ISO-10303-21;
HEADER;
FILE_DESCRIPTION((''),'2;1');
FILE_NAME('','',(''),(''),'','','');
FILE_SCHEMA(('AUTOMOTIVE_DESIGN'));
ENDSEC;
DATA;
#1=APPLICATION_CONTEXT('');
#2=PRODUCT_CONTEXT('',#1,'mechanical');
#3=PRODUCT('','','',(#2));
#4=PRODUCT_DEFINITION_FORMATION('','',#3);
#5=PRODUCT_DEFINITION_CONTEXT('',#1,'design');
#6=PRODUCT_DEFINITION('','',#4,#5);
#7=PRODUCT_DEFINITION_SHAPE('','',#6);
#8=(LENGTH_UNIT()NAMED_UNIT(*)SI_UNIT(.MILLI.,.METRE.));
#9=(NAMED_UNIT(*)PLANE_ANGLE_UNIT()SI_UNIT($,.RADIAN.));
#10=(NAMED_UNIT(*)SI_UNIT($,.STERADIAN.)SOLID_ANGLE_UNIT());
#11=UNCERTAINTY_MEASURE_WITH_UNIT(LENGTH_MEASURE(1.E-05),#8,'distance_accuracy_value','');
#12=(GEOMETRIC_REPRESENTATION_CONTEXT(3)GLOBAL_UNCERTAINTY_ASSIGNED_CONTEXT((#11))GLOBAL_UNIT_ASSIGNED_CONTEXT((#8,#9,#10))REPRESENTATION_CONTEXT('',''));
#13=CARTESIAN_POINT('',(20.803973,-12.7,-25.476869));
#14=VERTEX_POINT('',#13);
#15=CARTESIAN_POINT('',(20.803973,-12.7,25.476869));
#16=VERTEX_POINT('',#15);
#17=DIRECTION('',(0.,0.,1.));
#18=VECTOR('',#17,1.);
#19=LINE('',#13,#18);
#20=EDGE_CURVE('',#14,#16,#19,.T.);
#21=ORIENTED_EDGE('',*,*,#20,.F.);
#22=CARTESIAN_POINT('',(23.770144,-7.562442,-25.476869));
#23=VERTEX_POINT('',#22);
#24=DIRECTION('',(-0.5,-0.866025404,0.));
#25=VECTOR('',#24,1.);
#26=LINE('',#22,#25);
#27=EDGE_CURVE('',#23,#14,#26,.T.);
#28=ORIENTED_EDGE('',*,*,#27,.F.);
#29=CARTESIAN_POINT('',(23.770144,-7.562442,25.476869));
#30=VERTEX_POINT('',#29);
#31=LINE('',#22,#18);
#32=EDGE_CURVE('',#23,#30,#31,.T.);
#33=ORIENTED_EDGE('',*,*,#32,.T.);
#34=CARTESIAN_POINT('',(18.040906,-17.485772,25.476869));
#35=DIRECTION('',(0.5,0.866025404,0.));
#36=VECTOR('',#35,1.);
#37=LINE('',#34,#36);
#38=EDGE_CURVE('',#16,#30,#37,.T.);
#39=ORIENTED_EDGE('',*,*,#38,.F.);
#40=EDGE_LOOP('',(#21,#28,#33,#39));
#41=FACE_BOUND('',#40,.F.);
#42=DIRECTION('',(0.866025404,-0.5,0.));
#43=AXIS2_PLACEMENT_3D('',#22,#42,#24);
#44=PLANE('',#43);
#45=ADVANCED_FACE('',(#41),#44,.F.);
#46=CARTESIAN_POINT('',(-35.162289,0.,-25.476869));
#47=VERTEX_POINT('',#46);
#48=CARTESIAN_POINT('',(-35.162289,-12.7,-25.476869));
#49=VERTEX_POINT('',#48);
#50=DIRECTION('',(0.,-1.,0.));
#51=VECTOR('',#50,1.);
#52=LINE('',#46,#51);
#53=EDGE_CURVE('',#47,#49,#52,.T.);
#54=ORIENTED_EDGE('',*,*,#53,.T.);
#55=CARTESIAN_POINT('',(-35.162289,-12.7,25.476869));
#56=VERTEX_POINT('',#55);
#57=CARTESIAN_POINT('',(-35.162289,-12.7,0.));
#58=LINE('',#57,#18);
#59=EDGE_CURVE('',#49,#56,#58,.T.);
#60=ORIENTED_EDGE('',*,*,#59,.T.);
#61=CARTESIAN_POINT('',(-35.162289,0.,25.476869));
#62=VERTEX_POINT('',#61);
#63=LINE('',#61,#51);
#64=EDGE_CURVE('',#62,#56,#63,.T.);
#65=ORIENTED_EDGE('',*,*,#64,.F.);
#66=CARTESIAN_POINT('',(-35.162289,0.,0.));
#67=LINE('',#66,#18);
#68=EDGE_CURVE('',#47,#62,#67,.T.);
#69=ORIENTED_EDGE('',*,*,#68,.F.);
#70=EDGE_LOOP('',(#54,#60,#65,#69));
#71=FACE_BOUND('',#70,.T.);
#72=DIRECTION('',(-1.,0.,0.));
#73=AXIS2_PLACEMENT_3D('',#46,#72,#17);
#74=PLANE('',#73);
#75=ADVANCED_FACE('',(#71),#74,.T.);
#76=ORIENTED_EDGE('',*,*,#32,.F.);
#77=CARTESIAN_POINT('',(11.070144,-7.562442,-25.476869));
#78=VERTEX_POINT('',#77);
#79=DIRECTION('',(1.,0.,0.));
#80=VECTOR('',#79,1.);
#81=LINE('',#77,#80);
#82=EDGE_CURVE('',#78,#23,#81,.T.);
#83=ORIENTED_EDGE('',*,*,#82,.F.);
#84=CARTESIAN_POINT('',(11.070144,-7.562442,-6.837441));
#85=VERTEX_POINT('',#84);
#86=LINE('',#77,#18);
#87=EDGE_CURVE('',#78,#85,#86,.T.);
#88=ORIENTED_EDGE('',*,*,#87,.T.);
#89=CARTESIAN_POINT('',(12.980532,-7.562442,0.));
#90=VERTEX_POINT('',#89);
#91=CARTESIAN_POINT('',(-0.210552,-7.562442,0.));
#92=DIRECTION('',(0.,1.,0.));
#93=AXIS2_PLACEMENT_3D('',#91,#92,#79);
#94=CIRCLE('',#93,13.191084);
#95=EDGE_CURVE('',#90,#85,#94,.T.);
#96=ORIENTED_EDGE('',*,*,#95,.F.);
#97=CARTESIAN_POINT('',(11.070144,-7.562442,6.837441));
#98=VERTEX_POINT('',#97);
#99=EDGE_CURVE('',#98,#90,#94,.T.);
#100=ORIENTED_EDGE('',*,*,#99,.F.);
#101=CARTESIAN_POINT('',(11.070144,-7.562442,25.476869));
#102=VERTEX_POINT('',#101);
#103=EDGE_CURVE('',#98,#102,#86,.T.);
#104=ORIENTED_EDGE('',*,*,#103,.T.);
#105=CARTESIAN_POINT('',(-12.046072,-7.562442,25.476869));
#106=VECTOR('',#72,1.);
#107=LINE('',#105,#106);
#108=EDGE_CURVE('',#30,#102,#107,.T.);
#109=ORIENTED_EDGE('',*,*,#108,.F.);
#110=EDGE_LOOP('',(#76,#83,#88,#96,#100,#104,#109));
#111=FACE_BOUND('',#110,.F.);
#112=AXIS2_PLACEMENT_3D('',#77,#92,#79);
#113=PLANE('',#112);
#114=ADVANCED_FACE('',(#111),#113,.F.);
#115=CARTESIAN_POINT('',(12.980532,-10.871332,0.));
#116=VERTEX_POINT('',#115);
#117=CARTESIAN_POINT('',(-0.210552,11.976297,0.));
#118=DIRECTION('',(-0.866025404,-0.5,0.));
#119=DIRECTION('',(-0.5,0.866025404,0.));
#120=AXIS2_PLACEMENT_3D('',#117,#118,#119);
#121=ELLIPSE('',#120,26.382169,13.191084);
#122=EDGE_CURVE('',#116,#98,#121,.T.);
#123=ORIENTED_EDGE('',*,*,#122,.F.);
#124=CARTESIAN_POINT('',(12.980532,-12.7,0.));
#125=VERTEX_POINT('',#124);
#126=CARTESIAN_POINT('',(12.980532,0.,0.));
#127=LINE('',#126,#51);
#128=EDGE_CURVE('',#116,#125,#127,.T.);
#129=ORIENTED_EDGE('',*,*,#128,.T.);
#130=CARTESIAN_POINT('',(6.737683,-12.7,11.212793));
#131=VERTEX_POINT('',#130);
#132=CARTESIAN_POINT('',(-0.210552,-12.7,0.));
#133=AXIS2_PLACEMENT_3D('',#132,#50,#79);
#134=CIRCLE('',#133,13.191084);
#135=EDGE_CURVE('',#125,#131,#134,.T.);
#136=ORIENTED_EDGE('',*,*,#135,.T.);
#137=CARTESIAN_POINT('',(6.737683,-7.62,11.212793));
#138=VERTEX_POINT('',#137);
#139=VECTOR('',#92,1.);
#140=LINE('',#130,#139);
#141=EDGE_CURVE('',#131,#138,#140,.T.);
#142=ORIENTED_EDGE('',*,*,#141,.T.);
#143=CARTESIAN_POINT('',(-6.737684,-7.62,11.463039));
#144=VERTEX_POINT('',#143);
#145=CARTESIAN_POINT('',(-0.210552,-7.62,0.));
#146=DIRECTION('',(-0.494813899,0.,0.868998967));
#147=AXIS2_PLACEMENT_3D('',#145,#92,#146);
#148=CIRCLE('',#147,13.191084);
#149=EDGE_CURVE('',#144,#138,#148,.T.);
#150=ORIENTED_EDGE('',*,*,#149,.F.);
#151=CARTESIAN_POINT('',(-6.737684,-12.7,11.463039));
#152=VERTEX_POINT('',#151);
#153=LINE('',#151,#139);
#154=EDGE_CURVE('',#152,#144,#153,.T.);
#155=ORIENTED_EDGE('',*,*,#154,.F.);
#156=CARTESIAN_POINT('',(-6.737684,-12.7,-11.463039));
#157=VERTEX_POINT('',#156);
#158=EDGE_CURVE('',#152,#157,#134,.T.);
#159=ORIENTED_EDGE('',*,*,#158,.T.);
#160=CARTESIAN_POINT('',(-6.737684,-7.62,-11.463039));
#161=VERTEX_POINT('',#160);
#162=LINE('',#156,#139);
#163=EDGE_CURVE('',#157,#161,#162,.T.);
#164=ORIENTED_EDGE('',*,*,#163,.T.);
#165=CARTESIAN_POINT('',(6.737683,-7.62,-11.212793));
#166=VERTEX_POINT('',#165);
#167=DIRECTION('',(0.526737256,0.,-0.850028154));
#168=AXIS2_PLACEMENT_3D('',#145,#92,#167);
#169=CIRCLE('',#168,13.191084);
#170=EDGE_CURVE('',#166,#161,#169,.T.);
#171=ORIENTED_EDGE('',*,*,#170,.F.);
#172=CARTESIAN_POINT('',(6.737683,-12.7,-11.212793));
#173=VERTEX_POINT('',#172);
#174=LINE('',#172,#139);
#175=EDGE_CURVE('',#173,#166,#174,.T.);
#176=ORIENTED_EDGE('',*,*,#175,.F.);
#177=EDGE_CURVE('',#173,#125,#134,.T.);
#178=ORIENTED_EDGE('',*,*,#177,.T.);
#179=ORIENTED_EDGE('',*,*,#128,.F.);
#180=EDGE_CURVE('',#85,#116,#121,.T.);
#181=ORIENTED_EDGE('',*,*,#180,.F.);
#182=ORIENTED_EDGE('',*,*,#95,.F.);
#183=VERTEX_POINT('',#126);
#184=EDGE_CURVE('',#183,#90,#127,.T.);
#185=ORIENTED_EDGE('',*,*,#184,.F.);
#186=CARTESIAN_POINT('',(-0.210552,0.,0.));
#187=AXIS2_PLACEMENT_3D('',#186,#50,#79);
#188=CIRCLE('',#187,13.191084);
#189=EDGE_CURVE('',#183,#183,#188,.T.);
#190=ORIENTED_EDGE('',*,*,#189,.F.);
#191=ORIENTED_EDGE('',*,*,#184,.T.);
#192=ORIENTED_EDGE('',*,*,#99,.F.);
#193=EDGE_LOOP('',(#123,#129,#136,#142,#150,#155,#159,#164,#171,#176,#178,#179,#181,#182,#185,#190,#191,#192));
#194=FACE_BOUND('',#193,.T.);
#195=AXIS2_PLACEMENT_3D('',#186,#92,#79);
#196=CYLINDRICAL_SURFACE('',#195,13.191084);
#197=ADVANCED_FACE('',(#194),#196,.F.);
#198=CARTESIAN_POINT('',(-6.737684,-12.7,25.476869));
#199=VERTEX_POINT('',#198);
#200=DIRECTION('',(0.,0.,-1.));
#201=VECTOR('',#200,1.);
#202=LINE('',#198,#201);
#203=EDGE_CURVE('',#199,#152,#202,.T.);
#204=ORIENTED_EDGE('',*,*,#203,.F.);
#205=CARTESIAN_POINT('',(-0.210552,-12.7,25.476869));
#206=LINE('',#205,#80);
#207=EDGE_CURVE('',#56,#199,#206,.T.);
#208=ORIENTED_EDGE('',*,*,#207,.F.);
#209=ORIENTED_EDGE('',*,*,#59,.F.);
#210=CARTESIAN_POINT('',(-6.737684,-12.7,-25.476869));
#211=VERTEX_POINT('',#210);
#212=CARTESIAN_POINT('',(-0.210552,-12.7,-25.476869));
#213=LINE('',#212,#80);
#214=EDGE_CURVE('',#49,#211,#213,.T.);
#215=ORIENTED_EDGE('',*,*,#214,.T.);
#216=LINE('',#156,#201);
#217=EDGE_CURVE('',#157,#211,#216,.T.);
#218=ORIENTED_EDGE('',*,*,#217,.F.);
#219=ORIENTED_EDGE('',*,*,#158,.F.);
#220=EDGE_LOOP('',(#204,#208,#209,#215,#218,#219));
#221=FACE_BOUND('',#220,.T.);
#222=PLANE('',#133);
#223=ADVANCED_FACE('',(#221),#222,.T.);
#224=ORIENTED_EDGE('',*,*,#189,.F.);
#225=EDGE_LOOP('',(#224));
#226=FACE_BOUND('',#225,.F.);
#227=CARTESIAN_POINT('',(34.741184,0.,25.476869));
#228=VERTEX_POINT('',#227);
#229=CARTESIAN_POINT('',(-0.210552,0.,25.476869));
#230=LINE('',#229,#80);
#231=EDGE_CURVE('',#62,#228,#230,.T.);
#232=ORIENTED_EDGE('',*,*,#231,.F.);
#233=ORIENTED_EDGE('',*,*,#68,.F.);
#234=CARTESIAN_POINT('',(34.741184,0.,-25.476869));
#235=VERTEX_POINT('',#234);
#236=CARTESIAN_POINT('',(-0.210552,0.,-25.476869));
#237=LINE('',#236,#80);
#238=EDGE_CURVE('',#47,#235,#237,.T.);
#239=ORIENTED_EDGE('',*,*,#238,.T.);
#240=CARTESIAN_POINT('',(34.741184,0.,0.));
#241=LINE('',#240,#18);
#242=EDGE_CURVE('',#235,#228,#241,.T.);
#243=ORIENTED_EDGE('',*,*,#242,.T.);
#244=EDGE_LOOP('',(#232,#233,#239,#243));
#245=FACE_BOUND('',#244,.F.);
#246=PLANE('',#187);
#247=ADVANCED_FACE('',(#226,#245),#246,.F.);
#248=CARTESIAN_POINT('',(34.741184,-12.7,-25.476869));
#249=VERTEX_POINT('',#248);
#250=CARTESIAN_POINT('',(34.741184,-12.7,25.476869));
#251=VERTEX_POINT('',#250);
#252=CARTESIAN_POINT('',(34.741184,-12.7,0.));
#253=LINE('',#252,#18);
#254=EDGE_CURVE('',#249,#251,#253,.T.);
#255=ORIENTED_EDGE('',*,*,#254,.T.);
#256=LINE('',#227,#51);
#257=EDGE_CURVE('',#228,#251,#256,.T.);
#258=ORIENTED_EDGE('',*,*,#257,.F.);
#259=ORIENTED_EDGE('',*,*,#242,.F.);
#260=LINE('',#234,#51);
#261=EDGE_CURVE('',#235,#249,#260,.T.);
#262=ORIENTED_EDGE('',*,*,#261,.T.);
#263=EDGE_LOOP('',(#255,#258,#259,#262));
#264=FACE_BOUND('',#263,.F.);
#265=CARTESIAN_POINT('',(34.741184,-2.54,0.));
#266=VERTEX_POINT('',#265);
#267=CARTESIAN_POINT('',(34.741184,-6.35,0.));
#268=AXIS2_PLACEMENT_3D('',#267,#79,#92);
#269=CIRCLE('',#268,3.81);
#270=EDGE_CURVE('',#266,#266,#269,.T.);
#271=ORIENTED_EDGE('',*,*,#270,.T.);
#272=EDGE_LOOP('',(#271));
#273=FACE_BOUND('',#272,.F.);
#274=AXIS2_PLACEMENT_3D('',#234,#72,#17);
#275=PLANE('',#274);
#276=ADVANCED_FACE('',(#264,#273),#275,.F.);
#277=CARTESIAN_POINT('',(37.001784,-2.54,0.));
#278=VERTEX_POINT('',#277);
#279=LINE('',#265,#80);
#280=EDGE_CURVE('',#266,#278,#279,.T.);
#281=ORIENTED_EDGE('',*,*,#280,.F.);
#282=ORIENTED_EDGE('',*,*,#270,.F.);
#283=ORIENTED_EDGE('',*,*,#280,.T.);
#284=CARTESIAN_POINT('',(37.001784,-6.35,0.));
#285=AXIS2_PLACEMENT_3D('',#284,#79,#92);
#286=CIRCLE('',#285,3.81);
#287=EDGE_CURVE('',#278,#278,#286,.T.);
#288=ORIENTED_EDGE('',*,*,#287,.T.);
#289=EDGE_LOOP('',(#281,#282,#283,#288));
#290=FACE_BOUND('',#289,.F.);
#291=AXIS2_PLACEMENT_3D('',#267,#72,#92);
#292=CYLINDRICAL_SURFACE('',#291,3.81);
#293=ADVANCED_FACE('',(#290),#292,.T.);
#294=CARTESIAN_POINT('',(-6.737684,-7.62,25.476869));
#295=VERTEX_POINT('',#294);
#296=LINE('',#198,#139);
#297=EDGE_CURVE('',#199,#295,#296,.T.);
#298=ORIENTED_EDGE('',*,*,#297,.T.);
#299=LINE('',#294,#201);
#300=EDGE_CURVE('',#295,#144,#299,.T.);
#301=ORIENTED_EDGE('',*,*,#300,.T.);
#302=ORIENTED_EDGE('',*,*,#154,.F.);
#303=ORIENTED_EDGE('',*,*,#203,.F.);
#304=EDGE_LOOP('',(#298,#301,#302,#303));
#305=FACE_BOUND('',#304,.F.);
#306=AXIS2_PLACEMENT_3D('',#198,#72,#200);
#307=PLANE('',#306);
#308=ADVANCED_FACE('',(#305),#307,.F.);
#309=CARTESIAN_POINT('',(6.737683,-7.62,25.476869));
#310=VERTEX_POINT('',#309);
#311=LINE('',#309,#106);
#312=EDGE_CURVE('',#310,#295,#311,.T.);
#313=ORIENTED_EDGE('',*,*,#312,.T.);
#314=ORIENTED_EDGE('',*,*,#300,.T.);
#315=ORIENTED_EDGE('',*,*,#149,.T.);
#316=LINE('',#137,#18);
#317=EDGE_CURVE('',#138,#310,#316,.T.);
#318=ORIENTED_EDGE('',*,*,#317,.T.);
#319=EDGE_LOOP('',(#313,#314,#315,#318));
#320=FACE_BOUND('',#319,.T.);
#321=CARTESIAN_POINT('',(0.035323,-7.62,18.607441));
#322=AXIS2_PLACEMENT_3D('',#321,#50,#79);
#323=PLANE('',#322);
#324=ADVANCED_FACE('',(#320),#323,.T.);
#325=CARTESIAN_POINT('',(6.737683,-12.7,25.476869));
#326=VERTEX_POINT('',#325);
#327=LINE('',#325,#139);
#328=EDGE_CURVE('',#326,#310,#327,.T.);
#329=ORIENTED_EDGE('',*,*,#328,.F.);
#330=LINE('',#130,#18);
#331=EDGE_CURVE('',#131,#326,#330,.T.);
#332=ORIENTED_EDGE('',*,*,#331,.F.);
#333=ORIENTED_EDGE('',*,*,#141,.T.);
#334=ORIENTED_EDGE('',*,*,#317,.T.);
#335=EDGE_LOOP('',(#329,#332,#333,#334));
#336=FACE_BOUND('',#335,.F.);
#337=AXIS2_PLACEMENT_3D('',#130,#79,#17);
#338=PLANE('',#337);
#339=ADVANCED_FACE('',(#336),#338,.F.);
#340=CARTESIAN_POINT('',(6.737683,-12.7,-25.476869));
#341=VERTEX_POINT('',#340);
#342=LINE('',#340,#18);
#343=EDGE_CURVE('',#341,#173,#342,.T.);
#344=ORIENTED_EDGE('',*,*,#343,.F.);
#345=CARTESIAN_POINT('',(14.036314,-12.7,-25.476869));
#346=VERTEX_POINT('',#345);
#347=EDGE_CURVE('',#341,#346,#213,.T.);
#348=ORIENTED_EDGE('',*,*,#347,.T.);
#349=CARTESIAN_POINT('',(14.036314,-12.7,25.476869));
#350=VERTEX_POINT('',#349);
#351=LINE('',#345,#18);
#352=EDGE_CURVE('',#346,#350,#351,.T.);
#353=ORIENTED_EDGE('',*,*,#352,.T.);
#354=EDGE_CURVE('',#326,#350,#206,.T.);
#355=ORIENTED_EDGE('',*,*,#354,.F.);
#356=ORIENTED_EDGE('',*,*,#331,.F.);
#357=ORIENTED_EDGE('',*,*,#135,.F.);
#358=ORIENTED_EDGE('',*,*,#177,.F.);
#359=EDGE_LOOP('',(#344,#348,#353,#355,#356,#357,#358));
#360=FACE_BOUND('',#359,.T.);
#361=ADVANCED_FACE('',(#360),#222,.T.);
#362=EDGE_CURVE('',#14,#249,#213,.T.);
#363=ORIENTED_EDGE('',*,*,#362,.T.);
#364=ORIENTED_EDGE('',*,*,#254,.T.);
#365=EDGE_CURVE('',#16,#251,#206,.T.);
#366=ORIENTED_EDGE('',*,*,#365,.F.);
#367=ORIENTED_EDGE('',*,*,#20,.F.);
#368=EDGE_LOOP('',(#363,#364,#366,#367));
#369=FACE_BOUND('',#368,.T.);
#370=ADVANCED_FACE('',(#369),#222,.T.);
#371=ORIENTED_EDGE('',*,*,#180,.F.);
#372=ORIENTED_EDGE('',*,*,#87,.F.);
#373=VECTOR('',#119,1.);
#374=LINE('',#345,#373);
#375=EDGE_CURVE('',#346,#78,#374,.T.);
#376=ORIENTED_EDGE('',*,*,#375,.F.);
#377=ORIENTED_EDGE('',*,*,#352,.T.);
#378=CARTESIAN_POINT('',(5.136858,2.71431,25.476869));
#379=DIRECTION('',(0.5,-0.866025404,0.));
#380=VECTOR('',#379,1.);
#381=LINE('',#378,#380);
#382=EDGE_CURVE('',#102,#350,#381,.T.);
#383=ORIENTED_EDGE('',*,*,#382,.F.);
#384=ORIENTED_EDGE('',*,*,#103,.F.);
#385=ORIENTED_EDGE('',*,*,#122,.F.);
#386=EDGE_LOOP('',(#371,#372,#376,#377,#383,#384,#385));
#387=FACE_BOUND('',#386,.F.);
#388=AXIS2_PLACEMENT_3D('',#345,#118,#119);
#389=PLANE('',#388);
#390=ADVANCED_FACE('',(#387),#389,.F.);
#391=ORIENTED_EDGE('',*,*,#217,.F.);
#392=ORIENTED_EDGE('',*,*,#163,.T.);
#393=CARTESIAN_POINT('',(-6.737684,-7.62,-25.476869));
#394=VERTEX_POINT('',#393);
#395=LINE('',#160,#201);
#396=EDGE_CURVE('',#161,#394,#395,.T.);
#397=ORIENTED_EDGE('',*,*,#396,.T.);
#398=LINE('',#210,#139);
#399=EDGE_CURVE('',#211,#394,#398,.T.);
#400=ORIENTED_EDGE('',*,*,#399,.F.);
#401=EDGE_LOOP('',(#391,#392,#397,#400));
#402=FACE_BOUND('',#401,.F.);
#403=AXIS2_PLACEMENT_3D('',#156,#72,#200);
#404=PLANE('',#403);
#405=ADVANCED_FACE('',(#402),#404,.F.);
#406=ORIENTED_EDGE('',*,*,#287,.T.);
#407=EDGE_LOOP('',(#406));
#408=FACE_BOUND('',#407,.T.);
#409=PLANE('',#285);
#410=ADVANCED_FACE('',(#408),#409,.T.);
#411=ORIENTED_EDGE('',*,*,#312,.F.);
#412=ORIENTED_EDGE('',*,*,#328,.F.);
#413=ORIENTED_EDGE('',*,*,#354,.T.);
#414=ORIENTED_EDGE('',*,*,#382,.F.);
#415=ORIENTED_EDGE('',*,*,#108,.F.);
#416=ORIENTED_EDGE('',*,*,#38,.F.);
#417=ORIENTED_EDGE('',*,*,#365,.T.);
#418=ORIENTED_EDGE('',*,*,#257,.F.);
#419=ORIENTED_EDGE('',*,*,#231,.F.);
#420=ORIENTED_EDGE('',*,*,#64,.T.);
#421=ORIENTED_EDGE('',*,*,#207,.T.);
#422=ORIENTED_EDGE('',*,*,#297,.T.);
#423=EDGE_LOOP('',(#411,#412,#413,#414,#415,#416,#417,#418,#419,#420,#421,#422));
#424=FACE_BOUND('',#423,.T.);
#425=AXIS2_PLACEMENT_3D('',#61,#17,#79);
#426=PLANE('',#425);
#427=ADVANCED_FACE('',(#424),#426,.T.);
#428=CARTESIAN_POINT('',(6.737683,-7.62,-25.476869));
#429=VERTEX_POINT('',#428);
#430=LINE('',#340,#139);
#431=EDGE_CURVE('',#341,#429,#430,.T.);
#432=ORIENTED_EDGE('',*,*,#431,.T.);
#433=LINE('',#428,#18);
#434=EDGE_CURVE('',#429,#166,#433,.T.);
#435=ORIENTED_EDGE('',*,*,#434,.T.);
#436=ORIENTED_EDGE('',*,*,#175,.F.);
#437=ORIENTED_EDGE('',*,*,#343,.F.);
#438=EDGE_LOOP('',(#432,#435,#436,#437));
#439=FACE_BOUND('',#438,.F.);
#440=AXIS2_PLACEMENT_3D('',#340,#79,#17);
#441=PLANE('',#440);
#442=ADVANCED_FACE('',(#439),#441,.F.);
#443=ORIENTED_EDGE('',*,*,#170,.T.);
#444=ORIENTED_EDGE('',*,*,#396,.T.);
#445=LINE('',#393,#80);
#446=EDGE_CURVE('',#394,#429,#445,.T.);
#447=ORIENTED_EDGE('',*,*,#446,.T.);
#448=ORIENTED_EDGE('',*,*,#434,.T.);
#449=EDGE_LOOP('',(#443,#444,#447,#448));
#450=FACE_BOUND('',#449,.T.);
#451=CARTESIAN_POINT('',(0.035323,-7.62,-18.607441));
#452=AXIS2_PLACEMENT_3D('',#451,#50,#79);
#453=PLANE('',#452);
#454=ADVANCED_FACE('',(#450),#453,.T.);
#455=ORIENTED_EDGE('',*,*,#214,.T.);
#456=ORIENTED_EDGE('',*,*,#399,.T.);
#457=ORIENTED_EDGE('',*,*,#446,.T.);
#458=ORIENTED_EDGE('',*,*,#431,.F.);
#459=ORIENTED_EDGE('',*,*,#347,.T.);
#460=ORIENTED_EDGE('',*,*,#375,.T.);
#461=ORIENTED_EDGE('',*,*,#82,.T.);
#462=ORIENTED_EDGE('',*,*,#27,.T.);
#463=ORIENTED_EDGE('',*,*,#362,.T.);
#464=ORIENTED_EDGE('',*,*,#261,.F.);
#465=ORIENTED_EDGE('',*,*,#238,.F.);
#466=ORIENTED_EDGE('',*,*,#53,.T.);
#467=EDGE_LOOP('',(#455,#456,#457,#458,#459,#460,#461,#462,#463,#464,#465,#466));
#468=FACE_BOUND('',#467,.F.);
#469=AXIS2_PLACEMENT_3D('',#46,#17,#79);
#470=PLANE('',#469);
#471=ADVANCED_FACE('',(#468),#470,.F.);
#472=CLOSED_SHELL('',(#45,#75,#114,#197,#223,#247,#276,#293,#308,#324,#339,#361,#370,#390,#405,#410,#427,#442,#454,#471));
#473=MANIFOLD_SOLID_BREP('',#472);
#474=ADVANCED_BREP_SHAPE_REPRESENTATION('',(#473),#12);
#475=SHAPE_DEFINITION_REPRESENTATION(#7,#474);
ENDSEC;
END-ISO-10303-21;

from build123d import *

# Parameters (mm, degrees)
F0_W     = 69.9034725258
F0_H     = 50.9537383914
F0_R     = 13.1910844609
F1_DEPTH = 12.7
F3_DEPTH = 5.08
F5_DEPTH = 50.9547383914
F6_R     = 3.81
F7_DEPTH = 2.2606


with BuildPart() as f1:
    # F0 (on Front) → F1 (new body)
    with BuildSketch(Plane.XZ):
        with Locations((-0.2105524327, 0)):
            Rectangle(F0_W, F0_H)
        with Locations((-0.2105524327, 0)):
            Circle(F0_R, mode=Mode.SUBTRACT)
    extrude(amount=F1_DEPTH)

    # F2 (on face) → F3 (cut)
    with BuildSketch(Plane.XZ.offset(12.7)):
        with BuildLine():
            Line((6.7376832012, 25.4768691957), (-6.7376843654, 25.4768691957))
            Line((-6.7376843654, 25.4768691957), (-6.7376843654, 11.4630387764))
            ThreePointArc((-6.7376843654, 11.4630387764), (0.0343716306, 13.1888104641), (6.7376832012, 11.2127931771))
            Line((6.7376832012, 11.2127931771), (6.7376832012, 25.4768691957))
        make_face()
        with BuildLine():
            ThreePointArc((6.7376832012, -11.2127931771), (0.0343716306, -13.1888104641), (-6.7376843654, -11.4630387764))
            Line((-6.7376843654, -11.4630387764), (-6.7376843654, -25.4768691957))
            Line((-6.7376843654, -25.4768691957), (6.7376832012, -25.4768691957))
            Line((6.7376832012, -25.4768691957), (6.7376832012, -11.2127931771))
        make_face()
    extrude(amount=-F3_DEPTH, mode=Mode.SUBTRACT)

    # F4 (on face) → F5 (cut, through all)
    with BuildSketch(Plane(origin=(0, 0, -25.4768691957), x_dir=(1, 0, 0), z_dir=(0, 0, -1))):
        Polygon((20.8039732322, 12.7), (14.0363142386, 12.7), (11.0701437354, 7.5624419846), (23.7701437354, 7.5624419846), align=None)
    extrude(amount=-F5_DEPTH, mode=Mode.SUBTRACT)

    # F6 (on face) → F7 (join)
    with BuildSketch(Plane.YZ.offset(34.7411838302)):
        with Locations((-6.35, 0)):
            Circle(F6_R)
    extrude(amount=F7_DEPTH)


solid = f1.part
